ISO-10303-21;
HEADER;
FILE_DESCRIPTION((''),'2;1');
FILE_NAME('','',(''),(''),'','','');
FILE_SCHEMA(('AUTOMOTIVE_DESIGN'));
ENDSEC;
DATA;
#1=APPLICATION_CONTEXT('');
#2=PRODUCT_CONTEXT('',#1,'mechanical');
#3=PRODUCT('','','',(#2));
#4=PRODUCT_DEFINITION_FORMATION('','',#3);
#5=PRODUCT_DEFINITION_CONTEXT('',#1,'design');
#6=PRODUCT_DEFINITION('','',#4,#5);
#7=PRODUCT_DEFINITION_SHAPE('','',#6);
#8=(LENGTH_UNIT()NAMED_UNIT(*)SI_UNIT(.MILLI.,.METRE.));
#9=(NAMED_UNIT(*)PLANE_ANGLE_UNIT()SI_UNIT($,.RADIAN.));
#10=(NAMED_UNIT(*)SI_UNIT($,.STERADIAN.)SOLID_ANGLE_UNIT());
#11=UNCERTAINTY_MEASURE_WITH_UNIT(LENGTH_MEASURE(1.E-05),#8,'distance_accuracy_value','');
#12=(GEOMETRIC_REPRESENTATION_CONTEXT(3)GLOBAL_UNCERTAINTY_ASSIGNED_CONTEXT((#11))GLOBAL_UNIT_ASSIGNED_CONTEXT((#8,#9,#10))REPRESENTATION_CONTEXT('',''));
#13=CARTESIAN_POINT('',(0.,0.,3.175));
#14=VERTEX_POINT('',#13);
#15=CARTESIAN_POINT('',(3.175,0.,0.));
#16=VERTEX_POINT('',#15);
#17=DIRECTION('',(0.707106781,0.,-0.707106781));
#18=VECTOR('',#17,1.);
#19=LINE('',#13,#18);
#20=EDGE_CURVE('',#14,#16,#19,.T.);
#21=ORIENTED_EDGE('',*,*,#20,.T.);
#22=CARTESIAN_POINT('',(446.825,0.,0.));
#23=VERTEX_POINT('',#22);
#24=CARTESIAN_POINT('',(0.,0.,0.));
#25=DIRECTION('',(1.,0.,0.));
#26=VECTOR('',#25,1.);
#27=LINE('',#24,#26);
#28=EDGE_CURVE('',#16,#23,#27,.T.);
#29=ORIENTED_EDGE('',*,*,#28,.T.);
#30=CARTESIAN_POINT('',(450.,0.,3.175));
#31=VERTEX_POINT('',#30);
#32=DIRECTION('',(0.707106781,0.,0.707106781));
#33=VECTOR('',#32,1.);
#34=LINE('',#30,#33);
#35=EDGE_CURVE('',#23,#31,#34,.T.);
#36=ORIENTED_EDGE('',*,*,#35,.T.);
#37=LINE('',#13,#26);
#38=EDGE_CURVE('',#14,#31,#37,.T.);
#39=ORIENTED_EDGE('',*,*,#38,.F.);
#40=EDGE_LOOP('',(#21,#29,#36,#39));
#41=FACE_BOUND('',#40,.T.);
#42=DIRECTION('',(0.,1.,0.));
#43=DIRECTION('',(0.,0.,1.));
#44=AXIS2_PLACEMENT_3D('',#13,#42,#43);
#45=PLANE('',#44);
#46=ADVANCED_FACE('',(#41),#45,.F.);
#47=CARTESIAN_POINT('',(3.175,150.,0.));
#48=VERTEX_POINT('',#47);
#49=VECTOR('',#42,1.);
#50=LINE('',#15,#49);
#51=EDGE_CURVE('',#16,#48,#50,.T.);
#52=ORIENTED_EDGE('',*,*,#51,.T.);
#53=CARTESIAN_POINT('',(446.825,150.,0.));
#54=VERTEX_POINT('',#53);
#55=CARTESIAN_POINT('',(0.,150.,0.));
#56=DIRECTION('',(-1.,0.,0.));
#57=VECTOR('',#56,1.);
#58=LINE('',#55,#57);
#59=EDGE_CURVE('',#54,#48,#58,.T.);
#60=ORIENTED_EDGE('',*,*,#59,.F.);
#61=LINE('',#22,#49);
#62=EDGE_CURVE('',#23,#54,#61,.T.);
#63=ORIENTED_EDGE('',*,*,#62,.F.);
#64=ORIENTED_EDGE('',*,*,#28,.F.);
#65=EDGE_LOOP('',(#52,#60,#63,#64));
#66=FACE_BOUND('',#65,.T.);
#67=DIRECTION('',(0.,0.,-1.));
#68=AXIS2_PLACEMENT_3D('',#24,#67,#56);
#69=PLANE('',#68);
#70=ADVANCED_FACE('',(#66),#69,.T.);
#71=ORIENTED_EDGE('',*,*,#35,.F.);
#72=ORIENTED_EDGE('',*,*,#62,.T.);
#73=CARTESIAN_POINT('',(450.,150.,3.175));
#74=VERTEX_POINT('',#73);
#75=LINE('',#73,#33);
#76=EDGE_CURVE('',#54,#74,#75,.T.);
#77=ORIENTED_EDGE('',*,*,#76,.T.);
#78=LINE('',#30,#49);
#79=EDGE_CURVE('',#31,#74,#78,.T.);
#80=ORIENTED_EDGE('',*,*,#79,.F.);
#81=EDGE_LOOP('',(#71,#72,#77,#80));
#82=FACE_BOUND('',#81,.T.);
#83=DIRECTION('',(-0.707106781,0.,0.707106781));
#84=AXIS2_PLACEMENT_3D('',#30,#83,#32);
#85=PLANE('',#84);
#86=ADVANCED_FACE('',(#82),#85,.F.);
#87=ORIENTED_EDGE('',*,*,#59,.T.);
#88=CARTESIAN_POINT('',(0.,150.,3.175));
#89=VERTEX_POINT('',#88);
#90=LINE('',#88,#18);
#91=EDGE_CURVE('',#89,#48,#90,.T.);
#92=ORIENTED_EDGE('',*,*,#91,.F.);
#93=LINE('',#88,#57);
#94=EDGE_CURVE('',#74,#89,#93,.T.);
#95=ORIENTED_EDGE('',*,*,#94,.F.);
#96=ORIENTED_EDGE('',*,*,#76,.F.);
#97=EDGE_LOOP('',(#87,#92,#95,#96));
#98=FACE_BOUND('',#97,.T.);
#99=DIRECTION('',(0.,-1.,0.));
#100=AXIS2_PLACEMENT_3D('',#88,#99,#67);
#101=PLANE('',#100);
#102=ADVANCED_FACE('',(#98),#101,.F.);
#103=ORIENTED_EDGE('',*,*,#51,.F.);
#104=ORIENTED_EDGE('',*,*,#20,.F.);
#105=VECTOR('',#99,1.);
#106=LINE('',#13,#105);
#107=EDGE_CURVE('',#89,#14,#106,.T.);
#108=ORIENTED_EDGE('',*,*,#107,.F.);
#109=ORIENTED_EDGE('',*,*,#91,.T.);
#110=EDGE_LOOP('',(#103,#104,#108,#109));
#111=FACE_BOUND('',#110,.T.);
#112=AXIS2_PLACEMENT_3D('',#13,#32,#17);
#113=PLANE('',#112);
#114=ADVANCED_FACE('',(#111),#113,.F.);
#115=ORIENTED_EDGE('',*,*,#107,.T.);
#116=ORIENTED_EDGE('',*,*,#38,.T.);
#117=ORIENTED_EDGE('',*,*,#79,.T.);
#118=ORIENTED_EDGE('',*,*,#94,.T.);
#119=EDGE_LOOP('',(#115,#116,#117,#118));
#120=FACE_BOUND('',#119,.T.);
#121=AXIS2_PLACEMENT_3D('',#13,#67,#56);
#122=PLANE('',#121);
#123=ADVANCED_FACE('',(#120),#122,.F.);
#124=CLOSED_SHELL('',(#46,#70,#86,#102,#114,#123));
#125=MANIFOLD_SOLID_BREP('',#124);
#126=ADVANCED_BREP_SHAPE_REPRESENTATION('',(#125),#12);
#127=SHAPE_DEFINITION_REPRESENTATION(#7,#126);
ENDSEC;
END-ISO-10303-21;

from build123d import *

# Parameters (mm, degrees)
SKETCH1_W           = 450
SKETCH1_H           = 150
BOSS_EXTRUDE1_DEPTH = 3.175
CUT_EXTRUDE1_DEPTH  = 475.352274818


with BuildPart() as part:
    # Sketch1 → Boss-Extrude1 (new body)
    with BuildSketch(Plane.XY):
        with Locations((225, 75)):
            Rectangle(SKETCH1_W, SKETCH1_H)
    extrude(amount=BOSS_EXTRUDE1_DEPTH)

    # Sketch2 → Cut-Extrude1 (cut, through all)
    with BuildSketch(Plane(origin=(0, 150, 0), x_dir=(1, 0, 0), z_dir=(0, 1, 0))):
        Polygon((0, -3.175), (3.175, 0), (0, 0), align=None)
        Polygon((450, -3.175), (446.825, 0), (450, 0), align=None)
    extrude(amount=-CUT_EXTRUDE1_DEPTH, mode=Mode.SUBTRACT)


solid = part.part
